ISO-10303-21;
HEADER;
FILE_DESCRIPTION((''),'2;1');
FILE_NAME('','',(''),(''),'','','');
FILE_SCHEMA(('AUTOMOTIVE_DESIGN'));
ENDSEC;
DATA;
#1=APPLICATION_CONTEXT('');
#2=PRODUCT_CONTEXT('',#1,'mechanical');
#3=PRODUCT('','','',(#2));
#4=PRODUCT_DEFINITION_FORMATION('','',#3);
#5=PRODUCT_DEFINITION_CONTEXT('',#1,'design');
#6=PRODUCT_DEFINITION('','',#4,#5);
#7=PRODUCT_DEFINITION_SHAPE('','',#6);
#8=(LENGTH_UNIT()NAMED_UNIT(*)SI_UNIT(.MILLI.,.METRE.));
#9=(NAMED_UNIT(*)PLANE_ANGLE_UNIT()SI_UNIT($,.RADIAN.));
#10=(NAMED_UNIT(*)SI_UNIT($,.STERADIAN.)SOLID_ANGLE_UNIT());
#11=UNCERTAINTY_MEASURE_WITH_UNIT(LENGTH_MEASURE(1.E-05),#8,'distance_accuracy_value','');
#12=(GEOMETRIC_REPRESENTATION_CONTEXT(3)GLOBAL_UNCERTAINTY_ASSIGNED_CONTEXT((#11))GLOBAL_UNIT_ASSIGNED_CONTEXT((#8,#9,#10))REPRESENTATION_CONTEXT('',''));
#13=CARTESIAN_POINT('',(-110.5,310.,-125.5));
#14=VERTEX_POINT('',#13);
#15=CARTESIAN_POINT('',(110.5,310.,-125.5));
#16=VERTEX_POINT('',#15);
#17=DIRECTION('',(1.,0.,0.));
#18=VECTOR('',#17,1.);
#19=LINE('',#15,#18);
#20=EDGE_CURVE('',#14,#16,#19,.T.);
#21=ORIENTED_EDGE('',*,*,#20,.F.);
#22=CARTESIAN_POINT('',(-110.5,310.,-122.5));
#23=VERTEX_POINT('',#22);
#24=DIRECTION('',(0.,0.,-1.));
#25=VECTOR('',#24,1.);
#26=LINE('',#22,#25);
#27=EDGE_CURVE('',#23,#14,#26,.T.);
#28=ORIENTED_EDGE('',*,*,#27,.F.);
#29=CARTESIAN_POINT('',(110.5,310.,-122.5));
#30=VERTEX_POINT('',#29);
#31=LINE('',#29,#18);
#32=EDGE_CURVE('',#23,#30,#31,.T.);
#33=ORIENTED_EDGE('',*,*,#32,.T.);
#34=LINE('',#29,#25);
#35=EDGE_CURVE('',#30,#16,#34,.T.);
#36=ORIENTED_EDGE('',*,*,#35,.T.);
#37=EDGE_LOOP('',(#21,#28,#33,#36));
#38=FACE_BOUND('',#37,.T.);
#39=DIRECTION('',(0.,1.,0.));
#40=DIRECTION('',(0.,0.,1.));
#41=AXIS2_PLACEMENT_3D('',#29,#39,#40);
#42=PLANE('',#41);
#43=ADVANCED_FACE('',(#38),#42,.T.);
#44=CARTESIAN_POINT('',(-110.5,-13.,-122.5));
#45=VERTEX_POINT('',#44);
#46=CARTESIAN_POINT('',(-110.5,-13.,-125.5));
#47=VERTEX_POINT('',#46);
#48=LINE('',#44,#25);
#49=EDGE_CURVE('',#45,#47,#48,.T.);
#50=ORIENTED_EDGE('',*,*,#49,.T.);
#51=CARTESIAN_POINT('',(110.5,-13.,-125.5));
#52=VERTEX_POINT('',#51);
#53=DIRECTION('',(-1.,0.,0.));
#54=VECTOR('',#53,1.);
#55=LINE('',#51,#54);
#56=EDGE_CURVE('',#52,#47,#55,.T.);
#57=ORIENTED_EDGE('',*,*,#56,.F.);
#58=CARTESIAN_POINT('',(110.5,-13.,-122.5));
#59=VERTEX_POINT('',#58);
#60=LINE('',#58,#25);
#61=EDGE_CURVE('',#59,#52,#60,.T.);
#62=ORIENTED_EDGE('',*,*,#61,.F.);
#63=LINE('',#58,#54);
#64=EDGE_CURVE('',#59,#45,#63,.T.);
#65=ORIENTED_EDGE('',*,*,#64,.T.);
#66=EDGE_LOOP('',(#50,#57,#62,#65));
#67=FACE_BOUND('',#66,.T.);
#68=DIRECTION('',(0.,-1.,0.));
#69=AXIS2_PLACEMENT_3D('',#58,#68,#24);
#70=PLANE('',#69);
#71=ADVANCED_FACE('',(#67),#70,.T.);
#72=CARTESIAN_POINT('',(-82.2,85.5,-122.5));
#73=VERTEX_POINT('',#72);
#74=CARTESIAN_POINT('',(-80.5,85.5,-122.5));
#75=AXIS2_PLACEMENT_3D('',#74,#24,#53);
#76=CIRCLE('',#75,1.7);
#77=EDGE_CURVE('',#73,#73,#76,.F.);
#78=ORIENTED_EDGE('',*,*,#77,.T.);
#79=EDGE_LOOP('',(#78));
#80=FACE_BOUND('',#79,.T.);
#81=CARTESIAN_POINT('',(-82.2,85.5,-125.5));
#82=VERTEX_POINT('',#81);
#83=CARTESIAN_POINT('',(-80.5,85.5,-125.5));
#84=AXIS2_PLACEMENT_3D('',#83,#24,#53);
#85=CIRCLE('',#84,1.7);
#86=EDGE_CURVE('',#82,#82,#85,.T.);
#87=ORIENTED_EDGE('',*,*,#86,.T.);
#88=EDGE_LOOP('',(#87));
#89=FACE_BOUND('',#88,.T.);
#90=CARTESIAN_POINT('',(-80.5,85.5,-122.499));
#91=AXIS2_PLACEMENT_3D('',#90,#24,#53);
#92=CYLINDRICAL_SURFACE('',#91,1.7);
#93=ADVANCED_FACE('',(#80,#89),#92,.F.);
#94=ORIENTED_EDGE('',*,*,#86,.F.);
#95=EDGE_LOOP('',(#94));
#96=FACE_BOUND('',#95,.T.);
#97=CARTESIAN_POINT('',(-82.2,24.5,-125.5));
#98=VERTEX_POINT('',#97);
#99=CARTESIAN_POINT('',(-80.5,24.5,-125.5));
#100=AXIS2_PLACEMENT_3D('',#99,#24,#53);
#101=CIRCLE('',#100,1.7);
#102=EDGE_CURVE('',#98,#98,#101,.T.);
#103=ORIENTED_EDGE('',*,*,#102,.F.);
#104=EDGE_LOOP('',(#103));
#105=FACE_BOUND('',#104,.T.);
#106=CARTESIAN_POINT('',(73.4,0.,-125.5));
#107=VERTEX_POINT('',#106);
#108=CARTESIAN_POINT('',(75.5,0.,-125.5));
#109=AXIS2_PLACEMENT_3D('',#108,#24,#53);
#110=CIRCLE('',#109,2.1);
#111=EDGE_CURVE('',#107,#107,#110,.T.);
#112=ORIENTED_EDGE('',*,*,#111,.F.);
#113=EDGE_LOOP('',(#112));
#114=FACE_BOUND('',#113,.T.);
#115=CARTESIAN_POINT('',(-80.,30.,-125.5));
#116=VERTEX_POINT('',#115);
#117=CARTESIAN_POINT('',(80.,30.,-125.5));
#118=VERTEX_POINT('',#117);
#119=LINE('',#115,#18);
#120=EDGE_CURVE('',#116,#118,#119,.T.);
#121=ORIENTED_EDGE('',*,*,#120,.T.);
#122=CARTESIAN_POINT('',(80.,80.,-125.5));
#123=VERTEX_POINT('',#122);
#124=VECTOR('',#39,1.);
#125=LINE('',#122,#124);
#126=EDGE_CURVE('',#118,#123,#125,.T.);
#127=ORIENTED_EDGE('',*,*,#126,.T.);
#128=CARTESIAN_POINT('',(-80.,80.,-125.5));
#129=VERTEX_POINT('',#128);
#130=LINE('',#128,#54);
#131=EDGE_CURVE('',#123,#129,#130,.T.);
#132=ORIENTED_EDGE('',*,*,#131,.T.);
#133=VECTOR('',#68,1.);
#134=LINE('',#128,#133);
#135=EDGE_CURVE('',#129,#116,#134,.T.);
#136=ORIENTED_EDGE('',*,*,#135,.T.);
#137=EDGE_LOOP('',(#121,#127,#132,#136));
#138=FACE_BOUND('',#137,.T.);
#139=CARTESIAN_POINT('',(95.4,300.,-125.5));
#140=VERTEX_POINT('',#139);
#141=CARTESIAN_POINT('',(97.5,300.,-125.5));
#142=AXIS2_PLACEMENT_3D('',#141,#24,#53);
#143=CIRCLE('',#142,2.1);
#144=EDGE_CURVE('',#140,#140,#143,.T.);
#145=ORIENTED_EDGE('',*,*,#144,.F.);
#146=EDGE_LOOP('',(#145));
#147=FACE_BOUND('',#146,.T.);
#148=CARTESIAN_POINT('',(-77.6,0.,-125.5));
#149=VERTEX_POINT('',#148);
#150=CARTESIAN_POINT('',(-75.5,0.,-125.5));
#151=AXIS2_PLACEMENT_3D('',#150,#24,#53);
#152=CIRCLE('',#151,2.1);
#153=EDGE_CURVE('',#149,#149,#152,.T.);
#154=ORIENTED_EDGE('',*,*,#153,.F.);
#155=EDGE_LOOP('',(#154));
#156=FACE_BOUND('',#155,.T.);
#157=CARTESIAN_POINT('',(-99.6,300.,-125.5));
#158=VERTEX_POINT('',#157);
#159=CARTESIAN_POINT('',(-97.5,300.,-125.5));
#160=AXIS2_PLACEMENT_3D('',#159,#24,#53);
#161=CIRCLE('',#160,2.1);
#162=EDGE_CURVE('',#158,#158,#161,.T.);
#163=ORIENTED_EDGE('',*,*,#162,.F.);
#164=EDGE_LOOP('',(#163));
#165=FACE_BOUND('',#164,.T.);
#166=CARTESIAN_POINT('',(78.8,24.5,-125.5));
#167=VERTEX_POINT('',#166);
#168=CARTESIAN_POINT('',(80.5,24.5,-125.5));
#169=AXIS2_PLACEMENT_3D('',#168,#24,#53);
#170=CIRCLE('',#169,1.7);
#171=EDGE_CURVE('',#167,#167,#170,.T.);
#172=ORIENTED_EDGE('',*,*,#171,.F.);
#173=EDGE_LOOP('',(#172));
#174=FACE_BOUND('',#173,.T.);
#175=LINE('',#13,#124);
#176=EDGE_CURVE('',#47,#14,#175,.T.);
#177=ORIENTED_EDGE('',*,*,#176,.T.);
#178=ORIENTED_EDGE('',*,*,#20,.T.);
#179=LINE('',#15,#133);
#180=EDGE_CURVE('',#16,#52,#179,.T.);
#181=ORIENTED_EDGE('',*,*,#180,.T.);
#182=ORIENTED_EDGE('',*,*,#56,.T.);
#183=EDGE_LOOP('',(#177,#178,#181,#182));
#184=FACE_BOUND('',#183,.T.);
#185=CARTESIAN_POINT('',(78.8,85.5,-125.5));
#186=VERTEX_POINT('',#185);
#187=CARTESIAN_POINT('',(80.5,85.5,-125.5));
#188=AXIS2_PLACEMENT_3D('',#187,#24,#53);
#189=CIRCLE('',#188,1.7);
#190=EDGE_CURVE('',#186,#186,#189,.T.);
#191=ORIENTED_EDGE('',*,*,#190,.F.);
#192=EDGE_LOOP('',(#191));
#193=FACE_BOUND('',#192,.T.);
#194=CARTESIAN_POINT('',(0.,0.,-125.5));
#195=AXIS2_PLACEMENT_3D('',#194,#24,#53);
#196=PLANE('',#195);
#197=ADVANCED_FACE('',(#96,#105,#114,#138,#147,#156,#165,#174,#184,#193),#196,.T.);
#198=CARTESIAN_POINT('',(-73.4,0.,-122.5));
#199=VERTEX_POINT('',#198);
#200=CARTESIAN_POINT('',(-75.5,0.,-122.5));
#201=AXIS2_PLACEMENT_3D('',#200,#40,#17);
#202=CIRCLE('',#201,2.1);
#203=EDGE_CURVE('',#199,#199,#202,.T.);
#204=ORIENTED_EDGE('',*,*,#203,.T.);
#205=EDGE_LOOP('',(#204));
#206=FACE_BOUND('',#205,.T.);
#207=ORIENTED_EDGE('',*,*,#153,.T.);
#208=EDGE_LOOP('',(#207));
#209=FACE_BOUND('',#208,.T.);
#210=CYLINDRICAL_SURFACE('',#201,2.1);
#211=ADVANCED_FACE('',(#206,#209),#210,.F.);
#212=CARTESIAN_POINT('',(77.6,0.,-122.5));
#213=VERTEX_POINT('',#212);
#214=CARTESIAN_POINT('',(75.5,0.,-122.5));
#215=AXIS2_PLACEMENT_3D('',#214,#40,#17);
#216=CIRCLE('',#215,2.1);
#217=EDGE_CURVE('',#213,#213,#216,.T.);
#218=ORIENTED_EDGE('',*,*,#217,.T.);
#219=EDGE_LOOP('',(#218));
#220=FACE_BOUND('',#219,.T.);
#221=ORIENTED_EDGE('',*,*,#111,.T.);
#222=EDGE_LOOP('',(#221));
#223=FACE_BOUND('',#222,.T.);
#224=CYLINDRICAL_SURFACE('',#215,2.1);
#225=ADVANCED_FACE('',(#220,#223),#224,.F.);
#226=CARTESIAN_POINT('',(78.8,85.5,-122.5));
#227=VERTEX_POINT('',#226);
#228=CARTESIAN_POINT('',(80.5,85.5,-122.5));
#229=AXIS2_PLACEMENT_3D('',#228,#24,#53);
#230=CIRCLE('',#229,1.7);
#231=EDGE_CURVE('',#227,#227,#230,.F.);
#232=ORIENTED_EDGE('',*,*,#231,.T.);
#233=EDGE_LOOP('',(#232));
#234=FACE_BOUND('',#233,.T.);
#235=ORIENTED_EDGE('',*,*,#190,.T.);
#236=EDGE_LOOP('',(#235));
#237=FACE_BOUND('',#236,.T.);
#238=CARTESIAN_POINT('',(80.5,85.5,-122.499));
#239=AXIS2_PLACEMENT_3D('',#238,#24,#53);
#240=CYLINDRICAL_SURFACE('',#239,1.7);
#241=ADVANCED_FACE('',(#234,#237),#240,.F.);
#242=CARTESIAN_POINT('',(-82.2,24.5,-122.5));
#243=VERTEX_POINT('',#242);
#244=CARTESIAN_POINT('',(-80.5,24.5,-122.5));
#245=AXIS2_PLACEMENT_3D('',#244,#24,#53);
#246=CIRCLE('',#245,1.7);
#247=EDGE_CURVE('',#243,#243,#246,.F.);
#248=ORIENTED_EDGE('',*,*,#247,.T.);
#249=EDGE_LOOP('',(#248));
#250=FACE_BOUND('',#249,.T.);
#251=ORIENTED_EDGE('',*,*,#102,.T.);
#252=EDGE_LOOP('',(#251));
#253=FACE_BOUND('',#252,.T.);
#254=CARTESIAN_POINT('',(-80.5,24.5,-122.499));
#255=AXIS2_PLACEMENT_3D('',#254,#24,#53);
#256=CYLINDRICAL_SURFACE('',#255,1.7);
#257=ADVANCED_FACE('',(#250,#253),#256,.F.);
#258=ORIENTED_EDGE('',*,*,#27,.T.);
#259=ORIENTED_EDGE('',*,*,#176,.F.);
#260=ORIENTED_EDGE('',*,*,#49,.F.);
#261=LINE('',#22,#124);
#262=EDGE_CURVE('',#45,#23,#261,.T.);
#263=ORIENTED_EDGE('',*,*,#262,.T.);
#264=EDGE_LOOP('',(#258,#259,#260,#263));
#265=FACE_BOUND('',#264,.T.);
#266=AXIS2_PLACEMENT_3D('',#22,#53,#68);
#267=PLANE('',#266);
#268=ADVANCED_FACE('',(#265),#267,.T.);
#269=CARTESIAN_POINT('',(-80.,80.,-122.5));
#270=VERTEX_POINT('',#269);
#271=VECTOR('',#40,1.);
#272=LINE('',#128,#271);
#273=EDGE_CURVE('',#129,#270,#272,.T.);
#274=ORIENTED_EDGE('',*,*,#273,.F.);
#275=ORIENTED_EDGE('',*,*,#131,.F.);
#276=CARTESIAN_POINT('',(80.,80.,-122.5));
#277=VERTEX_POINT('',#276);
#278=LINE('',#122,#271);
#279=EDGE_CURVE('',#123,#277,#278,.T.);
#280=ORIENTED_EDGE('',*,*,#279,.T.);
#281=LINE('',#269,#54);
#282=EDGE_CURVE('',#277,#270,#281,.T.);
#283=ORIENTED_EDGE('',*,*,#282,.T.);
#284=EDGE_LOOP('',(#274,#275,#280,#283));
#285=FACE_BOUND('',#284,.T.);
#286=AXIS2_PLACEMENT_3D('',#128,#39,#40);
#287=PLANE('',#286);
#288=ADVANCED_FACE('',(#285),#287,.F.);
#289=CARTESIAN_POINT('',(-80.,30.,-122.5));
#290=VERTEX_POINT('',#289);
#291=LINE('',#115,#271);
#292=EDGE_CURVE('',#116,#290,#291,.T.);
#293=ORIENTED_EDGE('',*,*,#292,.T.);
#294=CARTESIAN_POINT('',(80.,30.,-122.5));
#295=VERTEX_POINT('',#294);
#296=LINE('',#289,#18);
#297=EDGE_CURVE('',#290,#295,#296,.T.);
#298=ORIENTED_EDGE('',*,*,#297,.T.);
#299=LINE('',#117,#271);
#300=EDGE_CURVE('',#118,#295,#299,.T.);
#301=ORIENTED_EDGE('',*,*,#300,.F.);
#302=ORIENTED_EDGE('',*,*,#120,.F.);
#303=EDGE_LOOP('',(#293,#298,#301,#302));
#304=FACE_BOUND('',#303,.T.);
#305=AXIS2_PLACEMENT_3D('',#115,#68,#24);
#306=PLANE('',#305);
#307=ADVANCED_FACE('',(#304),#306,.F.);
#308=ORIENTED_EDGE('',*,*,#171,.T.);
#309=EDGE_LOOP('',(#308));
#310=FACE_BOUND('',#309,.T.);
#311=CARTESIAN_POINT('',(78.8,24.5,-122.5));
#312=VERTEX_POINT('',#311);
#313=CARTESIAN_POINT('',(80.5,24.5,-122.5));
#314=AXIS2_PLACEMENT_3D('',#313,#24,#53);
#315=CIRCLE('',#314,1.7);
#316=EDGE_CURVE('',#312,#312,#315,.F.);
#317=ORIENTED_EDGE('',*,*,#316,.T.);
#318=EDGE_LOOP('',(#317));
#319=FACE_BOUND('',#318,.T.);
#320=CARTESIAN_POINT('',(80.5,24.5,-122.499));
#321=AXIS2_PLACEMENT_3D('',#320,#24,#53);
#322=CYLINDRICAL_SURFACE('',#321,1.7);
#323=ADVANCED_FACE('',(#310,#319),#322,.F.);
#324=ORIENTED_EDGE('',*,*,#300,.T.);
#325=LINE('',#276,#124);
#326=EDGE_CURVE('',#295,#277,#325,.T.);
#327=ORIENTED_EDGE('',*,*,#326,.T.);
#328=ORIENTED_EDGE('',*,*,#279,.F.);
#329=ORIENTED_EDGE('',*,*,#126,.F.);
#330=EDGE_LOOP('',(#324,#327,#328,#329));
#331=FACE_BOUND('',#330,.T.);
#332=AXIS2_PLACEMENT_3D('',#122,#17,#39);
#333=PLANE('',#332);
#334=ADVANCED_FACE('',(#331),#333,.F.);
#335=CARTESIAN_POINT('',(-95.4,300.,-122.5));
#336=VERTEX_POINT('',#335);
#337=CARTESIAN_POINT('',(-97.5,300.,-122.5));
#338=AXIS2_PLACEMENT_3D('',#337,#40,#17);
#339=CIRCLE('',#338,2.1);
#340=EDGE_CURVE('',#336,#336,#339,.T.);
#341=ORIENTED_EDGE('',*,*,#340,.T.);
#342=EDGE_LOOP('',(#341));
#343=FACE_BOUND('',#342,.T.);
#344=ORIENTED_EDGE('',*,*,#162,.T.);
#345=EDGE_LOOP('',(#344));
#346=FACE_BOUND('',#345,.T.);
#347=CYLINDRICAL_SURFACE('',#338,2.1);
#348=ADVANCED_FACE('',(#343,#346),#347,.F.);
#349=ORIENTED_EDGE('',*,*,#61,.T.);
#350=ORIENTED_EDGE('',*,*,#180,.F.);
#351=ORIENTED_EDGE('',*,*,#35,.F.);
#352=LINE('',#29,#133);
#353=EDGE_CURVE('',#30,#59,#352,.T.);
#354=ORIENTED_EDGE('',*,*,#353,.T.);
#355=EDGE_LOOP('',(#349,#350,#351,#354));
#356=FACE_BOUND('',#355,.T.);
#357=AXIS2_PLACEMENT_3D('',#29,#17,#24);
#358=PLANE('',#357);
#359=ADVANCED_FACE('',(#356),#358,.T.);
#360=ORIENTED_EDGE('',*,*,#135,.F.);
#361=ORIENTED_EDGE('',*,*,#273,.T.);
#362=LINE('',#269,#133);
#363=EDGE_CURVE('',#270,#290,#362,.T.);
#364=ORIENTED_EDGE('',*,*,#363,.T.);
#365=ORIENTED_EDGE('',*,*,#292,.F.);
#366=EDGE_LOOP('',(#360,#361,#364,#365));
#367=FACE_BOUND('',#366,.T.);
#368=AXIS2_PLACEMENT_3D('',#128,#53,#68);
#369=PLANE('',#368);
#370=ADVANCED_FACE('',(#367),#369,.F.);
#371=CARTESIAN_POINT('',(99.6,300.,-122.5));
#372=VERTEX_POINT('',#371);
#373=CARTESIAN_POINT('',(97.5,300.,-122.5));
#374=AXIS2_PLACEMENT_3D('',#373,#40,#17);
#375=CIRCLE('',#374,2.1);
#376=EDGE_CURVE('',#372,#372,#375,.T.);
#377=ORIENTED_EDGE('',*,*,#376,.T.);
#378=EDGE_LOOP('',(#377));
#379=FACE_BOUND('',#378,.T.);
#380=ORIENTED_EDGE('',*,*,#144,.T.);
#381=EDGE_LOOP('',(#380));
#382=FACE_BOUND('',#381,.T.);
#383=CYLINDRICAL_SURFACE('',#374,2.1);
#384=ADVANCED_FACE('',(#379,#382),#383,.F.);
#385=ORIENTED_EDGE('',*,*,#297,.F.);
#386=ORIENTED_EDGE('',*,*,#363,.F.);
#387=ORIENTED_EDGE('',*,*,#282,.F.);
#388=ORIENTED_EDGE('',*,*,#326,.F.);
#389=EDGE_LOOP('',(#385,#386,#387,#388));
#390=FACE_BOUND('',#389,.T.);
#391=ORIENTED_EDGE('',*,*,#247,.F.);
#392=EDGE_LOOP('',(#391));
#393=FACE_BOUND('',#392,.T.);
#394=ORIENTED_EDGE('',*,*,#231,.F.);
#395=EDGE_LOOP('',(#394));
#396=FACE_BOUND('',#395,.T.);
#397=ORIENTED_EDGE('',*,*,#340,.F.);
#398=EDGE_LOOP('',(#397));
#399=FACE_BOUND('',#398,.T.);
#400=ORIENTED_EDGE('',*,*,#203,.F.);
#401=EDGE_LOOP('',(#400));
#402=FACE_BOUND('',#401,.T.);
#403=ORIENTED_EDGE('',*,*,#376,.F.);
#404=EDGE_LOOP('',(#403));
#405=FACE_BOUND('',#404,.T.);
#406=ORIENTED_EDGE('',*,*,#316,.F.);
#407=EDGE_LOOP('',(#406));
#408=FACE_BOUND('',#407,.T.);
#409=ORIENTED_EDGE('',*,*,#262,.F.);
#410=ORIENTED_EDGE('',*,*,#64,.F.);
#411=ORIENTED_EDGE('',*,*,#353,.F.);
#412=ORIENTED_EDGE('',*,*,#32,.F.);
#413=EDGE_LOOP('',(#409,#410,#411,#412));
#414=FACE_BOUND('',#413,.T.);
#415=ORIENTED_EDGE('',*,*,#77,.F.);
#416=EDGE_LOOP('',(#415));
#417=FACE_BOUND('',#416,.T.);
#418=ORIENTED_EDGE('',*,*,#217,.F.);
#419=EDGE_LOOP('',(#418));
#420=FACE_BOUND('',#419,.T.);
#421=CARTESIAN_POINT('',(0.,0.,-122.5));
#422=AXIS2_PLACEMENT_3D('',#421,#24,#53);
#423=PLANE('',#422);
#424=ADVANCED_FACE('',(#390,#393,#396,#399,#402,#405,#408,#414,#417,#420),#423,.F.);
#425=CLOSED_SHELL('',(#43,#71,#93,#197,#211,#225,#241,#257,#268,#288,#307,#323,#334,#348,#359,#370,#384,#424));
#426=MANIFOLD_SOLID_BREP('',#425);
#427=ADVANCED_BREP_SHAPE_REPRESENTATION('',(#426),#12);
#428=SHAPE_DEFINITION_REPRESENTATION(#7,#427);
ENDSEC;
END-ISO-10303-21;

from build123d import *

# Parameters (mm, degrees)
SKETCH1_W                 = 221
SKETCH1_H                 = 323
BOSS_EXTRUDE1_DEPTH       = 3
SKETCH2_W                 = 160
SKETCH2_H                 = 50
CUT_EXTRUDE1_DEPTH        = 4
CUT_EXTRUDE2_REACH        = 5
SKETCH5_R                 = 1.7
F_4_0MM_DOWEL_HOLE1_D     = 4.2
F_4_0MM_DOWEL_HOLE1_DEPTH = 3


with BuildPart() as part:
    # Sketch1 → Boss-Extrude1 (new body)
    with BuildSketch(Plane(origin=(0, 0, -125.5), x_dir=(-1, 0, 0), z_dir=(0, 0, -1))):
        with Locations((0, 148.5)):
            Rectangle(SKETCH1_W, SKETCH1_H)
    extrude(amount=-BOSS_EXTRUDE1_DEPTH)

    # Sketch2 → Cut-Extrude1 (cut, through all)
    with BuildSketch(Plane.XY.offset(-122.5)):
        with Locations((0, 55)):
            Rectangle(SKETCH2_W, SKETCH2_H)
    extrude(amount=-CUT_EXTRUDE1_DEPTH, mode=Mode.SUBTRACT)

    # Sketch5 → Cut-Extrude2 (cut, up to next)
    with BuildSketch(Plane(origin=(0, 0, -125.5), x_dir=(-1, 0, 0), z_dir=(0, 0, -1)), mode=Mode.PRIVATE) as cut_extrude2_sk1:
        with Locations((80.5, 85.5)):
            Circle(SKETCH5_R)
    cut_extrude2_tool1 = extrude(cut_extrude2_sk1.sketch, amount=-CUT_EXTRUDE2_REACH, mode=Mode.PRIVATE) & part.part
    add(cut_extrude2_tool1.solids().sort_by_distance((-80.5, 85.5, -125.5))[0], mode=Mode.SUBTRACT)
    # Sketch5 → Cut-Extrude2 (cut, up to next)
    with BuildSketch(Plane(origin=(0, 0, -125.5), x_dir=(-1, 0, 0), z_dir=(0, 0, -1)), mode=Mode.PRIVATE) as cut_extrude2_sk2:
        with Locations((80.5, 24.5)):
            Circle(SKETCH5_R)
    cut_extrude2_tool2 = extrude(cut_extrude2_sk2.sketch, amount=-CUT_EXTRUDE2_REACH, mode=Mode.PRIVATE) & part.part
    add(cut_extrude2_tool2.solids().sort_by_distance((-80.5, 24.5, -125.5))[0], mode=Mode.SUBTRACT)
    # Sketch5 → Cut-Extrude2 (cut, up to next)
    with BuildSketch(Plane(origin=(0, 0, -125.5), x_dir=(-1, 0, 0), z_dir=(0, 0, -1)), mode=Mode.PRIVATE) as cut_extrude2_sk3:
        with Locations((-80.5, 24.5)):
            Circle(SKETCH5_R)
    cut_extrude2_tool3 = extrude(cut_extrude2_sk3.sketch, amount=-CUT_EXTRUDE2_REACH, mode=Mode.PRIVATE) & part.part
    add(cut_extrude2_tool3.solids().sort_by_distance((80.5, 24.5, -125.5))[0], mode=Mode.SUBTRACT)
    # Sketch5 → Cut-Extrude2 (cut, up to next)
    with BuildSketch(Plane(origin=(0, 0, -125.5), x_dir=(-1, 0, 0), z_dir=(0, 0, -1)), mode=Mode.PRIVATE) as cut_extrude2_sk4:
        with Locations((-80.5, 85.5)):
            Circle(SKETCH5_R)
    cut_extrude2_tool4 = extrude(cut_extrude2_sk4.sketch, amount=-CUT_EXTRUDE2_REACH, mode=Mode.PRIVATE) & part.part
    add(cut_extrude2_tool4.solids().sort_by_distance((80.5, 85.5, -125.5))[0], mode=Mode.SUBTRACT)

    # Ø4.0mm Dowel Hole1
    with Locations(Plane.XY.offset(-122.5)):
        with Locations((-97.5, 300), (97.5, 300), (75.5, 0), (-75.5, 0)):
            Hole(F_4_0MM_DOWEL_HOLE1_D / 2, depth=F_4_0MM_DOWEL_HOLE1_DEPTH)


solid = part.part
